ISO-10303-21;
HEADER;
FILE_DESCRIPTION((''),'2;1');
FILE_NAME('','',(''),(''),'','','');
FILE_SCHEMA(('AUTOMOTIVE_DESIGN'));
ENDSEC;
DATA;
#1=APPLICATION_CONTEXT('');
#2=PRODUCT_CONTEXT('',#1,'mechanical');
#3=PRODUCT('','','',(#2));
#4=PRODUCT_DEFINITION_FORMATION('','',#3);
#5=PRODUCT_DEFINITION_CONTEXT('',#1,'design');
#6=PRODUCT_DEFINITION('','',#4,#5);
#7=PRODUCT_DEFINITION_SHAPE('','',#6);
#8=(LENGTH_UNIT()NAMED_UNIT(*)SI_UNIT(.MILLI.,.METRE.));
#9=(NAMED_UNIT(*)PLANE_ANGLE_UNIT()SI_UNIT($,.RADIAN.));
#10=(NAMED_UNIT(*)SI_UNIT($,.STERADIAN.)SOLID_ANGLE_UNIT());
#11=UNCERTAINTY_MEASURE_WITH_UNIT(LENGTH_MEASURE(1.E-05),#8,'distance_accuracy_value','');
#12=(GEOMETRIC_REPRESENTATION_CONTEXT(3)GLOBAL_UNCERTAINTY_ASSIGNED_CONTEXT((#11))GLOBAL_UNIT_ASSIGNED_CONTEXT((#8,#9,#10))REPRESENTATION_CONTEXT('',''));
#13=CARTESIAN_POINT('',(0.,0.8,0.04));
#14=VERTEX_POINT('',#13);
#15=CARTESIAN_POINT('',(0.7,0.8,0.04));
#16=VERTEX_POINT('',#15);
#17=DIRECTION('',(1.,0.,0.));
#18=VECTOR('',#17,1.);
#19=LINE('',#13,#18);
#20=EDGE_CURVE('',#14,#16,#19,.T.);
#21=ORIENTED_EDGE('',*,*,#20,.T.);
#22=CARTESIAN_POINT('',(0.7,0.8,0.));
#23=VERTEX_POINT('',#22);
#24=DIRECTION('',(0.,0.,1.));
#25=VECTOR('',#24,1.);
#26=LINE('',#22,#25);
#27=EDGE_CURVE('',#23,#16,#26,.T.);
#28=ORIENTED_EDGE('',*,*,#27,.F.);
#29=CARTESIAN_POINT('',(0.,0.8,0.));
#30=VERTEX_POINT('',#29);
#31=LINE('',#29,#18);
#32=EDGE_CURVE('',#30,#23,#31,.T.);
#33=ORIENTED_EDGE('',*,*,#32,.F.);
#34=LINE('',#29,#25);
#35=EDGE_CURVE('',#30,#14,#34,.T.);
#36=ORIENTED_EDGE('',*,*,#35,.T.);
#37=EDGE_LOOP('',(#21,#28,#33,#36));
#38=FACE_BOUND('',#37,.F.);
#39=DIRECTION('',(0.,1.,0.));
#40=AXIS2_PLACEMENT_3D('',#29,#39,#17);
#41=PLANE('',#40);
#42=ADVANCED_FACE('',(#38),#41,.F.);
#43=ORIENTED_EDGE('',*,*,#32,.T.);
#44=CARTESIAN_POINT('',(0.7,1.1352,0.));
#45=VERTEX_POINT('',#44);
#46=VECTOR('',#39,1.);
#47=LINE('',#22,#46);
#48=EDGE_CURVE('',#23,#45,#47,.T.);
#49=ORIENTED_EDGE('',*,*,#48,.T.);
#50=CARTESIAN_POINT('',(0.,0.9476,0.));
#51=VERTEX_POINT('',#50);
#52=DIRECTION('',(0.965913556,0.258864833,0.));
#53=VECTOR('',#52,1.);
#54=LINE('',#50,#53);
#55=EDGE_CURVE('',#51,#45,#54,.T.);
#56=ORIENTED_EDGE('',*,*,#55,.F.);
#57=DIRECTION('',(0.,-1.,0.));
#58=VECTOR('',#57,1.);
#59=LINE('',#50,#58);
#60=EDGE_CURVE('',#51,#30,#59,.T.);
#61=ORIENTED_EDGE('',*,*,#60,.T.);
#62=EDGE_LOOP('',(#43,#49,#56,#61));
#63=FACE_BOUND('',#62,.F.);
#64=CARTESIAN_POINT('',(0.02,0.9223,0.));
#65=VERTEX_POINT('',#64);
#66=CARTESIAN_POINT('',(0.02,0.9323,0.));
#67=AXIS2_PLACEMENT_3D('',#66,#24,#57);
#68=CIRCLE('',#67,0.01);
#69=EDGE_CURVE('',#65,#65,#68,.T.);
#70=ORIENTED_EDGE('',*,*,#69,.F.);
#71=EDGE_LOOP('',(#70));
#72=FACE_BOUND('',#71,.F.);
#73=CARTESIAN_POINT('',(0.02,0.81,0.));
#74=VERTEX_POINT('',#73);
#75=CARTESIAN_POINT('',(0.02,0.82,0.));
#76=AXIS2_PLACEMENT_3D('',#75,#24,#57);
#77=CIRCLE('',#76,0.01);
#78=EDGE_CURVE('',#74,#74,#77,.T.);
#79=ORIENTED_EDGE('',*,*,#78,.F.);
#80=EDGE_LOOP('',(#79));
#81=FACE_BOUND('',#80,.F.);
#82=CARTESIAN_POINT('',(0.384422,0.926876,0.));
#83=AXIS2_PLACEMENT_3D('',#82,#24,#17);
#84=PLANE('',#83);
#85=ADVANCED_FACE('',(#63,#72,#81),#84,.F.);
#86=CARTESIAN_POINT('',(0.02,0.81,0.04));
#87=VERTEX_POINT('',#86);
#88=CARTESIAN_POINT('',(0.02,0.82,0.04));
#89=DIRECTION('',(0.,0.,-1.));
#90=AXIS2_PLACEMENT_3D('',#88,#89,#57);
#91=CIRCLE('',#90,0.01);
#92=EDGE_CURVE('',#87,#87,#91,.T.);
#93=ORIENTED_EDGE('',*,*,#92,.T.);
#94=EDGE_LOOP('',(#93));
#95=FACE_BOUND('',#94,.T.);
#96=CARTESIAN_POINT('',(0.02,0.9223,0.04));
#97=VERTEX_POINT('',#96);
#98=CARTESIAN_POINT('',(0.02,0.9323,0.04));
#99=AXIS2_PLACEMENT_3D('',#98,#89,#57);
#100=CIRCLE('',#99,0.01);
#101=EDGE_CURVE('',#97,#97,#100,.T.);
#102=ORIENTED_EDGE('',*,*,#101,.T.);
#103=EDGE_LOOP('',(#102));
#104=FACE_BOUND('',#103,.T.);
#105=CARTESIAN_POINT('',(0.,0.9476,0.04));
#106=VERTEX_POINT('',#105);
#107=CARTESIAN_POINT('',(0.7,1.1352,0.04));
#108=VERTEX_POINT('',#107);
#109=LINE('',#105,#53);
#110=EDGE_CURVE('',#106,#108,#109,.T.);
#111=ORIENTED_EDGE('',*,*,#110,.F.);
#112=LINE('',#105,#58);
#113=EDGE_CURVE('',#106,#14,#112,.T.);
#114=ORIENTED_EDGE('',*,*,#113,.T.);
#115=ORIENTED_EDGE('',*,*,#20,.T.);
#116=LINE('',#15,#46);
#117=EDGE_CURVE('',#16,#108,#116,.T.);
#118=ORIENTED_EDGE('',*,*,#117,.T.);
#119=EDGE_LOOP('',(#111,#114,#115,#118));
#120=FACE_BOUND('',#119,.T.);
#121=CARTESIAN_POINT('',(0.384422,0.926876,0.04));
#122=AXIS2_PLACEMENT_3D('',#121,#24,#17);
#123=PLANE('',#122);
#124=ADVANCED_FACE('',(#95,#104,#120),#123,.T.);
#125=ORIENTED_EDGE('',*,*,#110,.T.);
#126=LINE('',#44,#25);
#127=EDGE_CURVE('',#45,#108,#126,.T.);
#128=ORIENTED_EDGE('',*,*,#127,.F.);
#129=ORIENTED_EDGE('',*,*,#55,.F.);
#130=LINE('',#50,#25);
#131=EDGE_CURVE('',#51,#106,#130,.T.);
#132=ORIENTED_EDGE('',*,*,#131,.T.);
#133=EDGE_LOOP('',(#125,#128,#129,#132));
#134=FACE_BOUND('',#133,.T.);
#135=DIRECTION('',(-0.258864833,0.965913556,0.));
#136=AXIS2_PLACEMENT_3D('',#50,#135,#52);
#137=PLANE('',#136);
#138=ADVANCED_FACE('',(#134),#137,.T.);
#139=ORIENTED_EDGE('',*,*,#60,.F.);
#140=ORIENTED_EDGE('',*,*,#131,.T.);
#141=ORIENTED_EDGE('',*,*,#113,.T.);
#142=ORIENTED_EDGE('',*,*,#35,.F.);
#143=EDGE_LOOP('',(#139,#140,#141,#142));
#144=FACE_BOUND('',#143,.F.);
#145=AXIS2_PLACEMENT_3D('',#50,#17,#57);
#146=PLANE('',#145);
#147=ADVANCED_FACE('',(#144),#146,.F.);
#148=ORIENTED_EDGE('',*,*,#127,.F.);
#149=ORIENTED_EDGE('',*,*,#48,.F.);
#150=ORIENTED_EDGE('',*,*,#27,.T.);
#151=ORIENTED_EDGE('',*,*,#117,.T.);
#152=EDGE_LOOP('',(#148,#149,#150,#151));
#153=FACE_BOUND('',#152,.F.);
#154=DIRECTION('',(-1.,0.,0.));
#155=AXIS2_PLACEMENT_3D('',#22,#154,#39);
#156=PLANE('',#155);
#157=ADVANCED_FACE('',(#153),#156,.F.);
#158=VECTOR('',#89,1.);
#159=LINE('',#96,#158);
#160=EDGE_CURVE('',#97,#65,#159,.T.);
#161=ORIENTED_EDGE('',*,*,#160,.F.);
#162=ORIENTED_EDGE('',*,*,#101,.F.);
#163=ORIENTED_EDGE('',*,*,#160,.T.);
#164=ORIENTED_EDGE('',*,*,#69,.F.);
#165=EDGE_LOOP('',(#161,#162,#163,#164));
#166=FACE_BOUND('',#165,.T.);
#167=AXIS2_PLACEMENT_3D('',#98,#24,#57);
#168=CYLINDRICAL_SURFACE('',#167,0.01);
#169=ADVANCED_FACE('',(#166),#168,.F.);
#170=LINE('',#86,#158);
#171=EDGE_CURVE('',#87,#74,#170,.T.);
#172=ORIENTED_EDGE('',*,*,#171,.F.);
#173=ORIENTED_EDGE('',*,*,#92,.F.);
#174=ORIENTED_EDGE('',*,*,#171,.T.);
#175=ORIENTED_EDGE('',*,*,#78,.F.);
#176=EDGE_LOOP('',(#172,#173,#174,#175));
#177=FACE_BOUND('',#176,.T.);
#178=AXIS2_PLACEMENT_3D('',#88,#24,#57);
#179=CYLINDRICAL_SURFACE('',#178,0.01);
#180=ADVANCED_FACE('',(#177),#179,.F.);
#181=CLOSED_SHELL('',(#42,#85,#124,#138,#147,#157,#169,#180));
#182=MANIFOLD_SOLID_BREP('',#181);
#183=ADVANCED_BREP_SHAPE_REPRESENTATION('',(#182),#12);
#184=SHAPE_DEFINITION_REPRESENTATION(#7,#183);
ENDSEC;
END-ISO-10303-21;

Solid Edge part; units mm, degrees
sketch "Sketch1" plane through (0, 0, 0) normal (0, 0, 1) x (1, 0, 0)
  line L0 (0, 0.8) -> (0.7, 0.8)
  line L1 (0.7, 0.8) -> (0.7, 1.1352)
  line L2 (0, 0.9476) -> (0.7, 1.1352)
  line L3 (0, 0.9476) -> (0, 0.8)
extrude "Protrusion1" add sketch "Sketch1" along normal blind 0.04
hole "Bohrung_3" at (0.02, 0.82, 0.04) direction (0, 0, -1) diameter 0.02 end through all
hole "Hole1" at (0.02, 0.9323, 0.04) direction (0, 0, -1) diameter 0.02 end through all
